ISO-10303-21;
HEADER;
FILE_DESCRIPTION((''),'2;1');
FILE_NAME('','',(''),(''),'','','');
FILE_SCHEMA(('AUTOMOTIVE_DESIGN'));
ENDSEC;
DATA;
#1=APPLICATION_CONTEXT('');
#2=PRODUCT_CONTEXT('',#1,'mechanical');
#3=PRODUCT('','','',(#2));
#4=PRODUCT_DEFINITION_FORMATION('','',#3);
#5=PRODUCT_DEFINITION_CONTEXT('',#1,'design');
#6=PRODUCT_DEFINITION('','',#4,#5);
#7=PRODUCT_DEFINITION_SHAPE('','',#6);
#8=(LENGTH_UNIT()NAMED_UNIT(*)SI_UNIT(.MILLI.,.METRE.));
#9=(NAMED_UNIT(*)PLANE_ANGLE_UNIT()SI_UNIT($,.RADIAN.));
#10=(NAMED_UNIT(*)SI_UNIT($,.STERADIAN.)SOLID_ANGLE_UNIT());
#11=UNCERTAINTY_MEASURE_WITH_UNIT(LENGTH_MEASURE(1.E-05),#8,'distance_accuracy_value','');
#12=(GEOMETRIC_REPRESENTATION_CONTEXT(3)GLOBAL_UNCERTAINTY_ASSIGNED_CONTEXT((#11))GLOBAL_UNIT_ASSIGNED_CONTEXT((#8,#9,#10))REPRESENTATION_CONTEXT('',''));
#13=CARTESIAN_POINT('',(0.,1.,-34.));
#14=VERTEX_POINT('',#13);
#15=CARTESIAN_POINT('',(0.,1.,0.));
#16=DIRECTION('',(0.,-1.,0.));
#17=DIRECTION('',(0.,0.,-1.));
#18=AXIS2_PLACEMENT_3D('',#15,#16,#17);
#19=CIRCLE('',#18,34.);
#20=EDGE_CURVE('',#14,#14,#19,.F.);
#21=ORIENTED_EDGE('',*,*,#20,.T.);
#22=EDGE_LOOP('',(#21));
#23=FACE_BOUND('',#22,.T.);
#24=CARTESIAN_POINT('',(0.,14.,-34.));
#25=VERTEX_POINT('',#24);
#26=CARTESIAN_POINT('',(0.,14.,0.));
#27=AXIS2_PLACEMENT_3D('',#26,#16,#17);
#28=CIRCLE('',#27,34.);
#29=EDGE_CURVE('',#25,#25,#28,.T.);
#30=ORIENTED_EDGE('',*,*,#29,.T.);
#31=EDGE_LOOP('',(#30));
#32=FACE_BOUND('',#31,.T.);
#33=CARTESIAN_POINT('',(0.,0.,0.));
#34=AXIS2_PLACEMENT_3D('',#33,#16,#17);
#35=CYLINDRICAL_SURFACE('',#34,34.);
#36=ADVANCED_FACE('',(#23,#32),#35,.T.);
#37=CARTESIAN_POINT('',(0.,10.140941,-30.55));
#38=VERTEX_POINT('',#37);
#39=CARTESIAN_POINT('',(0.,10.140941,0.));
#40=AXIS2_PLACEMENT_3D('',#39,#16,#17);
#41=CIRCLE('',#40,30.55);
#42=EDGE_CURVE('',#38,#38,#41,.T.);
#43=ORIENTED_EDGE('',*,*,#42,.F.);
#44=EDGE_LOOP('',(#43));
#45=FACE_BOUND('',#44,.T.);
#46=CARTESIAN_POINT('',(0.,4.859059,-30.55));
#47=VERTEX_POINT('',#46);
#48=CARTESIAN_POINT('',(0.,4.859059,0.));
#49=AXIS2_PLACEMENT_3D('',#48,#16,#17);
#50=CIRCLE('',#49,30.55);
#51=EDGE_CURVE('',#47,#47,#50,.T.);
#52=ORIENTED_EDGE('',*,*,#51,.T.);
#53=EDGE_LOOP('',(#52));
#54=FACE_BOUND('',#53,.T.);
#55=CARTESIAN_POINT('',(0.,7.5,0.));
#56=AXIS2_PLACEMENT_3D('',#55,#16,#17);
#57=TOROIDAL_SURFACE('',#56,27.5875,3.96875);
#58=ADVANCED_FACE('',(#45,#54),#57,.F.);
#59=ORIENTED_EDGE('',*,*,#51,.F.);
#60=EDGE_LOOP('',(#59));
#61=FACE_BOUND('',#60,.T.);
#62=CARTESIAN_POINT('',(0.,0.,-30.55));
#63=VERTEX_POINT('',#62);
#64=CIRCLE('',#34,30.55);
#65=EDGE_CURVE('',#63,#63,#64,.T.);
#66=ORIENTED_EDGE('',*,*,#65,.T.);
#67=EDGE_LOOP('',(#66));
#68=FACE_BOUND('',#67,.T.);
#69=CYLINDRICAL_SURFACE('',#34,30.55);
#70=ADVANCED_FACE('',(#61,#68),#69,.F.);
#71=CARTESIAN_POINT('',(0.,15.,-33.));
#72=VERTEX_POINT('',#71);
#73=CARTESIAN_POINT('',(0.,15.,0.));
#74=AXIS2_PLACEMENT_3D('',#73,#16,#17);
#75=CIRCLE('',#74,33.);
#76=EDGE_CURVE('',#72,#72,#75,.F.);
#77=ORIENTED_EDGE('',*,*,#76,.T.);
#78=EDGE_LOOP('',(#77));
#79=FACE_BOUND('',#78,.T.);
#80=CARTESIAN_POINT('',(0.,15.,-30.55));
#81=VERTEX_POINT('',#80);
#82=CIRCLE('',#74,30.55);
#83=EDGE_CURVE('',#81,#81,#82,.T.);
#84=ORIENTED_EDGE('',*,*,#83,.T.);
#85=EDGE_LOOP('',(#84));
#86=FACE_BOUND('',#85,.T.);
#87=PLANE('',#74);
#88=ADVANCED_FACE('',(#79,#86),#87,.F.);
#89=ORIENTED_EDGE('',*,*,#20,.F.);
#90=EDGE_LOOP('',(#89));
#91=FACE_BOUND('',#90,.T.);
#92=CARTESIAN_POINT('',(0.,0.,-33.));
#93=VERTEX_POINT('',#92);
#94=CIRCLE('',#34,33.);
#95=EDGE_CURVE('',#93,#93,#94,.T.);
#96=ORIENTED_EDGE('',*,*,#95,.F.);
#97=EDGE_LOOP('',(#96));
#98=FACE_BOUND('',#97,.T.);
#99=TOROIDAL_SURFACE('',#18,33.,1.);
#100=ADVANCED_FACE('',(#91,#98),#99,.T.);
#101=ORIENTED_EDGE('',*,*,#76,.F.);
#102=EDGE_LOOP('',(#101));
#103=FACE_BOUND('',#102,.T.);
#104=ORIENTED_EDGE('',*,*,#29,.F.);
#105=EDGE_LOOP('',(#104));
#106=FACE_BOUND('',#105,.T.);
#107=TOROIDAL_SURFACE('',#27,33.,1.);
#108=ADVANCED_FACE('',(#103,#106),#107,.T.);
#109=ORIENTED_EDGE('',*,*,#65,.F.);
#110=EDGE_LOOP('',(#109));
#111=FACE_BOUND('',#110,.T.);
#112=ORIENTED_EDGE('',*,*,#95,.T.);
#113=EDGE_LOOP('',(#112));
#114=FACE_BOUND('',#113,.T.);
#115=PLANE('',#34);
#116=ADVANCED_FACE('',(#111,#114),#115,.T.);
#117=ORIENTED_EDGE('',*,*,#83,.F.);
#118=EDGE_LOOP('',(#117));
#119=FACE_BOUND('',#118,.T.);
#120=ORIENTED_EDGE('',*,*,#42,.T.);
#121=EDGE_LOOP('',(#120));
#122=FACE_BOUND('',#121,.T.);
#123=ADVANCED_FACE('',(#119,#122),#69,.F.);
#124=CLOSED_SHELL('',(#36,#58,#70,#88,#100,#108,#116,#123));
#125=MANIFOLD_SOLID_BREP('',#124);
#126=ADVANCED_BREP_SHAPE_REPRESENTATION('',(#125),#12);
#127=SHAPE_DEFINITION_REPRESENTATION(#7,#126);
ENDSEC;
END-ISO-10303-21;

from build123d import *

# Parameters (mm, degrees)
FILLET1_R = 1


with BuildPart() as part:
    # Sketch1 → Revolve1 (revolve)
    with BuildSketch(Plane.XY, mode=Mode.PRIVATE) as revolve1_sk:
        with BuildLine():
            Line((-34, 0), (-30.55, 0))
            Line((-30.55, 0), (-30.55, 4.859058821))
            ThreePointArc((-30.55, 4.859058821), (-31.55625, 7.5), (-30.55, 10.140941179))
            Line((-30.55, 10.140941179), (-30.55, 15))
            Line((-30.55, 15), (-34, 15))
            Line((-34, 15), (-34, 0))
        make_face()
    revolve(revolve1_sk.sketch.rotate(Axis((0, 0, 0), (0, 1, 0)), 270), axis=Axis((0, 0, 0), (0, 1, 0)))

    # Fillet1
    fillet1_edges = [part.edges().sort_by_distance(p)[0] for p in [
        (0, 0, 34),
        (0, 15, 34),
    ]]
    fillet(fillet1_edges, radius=FILLET1_R)


solid = part.part
